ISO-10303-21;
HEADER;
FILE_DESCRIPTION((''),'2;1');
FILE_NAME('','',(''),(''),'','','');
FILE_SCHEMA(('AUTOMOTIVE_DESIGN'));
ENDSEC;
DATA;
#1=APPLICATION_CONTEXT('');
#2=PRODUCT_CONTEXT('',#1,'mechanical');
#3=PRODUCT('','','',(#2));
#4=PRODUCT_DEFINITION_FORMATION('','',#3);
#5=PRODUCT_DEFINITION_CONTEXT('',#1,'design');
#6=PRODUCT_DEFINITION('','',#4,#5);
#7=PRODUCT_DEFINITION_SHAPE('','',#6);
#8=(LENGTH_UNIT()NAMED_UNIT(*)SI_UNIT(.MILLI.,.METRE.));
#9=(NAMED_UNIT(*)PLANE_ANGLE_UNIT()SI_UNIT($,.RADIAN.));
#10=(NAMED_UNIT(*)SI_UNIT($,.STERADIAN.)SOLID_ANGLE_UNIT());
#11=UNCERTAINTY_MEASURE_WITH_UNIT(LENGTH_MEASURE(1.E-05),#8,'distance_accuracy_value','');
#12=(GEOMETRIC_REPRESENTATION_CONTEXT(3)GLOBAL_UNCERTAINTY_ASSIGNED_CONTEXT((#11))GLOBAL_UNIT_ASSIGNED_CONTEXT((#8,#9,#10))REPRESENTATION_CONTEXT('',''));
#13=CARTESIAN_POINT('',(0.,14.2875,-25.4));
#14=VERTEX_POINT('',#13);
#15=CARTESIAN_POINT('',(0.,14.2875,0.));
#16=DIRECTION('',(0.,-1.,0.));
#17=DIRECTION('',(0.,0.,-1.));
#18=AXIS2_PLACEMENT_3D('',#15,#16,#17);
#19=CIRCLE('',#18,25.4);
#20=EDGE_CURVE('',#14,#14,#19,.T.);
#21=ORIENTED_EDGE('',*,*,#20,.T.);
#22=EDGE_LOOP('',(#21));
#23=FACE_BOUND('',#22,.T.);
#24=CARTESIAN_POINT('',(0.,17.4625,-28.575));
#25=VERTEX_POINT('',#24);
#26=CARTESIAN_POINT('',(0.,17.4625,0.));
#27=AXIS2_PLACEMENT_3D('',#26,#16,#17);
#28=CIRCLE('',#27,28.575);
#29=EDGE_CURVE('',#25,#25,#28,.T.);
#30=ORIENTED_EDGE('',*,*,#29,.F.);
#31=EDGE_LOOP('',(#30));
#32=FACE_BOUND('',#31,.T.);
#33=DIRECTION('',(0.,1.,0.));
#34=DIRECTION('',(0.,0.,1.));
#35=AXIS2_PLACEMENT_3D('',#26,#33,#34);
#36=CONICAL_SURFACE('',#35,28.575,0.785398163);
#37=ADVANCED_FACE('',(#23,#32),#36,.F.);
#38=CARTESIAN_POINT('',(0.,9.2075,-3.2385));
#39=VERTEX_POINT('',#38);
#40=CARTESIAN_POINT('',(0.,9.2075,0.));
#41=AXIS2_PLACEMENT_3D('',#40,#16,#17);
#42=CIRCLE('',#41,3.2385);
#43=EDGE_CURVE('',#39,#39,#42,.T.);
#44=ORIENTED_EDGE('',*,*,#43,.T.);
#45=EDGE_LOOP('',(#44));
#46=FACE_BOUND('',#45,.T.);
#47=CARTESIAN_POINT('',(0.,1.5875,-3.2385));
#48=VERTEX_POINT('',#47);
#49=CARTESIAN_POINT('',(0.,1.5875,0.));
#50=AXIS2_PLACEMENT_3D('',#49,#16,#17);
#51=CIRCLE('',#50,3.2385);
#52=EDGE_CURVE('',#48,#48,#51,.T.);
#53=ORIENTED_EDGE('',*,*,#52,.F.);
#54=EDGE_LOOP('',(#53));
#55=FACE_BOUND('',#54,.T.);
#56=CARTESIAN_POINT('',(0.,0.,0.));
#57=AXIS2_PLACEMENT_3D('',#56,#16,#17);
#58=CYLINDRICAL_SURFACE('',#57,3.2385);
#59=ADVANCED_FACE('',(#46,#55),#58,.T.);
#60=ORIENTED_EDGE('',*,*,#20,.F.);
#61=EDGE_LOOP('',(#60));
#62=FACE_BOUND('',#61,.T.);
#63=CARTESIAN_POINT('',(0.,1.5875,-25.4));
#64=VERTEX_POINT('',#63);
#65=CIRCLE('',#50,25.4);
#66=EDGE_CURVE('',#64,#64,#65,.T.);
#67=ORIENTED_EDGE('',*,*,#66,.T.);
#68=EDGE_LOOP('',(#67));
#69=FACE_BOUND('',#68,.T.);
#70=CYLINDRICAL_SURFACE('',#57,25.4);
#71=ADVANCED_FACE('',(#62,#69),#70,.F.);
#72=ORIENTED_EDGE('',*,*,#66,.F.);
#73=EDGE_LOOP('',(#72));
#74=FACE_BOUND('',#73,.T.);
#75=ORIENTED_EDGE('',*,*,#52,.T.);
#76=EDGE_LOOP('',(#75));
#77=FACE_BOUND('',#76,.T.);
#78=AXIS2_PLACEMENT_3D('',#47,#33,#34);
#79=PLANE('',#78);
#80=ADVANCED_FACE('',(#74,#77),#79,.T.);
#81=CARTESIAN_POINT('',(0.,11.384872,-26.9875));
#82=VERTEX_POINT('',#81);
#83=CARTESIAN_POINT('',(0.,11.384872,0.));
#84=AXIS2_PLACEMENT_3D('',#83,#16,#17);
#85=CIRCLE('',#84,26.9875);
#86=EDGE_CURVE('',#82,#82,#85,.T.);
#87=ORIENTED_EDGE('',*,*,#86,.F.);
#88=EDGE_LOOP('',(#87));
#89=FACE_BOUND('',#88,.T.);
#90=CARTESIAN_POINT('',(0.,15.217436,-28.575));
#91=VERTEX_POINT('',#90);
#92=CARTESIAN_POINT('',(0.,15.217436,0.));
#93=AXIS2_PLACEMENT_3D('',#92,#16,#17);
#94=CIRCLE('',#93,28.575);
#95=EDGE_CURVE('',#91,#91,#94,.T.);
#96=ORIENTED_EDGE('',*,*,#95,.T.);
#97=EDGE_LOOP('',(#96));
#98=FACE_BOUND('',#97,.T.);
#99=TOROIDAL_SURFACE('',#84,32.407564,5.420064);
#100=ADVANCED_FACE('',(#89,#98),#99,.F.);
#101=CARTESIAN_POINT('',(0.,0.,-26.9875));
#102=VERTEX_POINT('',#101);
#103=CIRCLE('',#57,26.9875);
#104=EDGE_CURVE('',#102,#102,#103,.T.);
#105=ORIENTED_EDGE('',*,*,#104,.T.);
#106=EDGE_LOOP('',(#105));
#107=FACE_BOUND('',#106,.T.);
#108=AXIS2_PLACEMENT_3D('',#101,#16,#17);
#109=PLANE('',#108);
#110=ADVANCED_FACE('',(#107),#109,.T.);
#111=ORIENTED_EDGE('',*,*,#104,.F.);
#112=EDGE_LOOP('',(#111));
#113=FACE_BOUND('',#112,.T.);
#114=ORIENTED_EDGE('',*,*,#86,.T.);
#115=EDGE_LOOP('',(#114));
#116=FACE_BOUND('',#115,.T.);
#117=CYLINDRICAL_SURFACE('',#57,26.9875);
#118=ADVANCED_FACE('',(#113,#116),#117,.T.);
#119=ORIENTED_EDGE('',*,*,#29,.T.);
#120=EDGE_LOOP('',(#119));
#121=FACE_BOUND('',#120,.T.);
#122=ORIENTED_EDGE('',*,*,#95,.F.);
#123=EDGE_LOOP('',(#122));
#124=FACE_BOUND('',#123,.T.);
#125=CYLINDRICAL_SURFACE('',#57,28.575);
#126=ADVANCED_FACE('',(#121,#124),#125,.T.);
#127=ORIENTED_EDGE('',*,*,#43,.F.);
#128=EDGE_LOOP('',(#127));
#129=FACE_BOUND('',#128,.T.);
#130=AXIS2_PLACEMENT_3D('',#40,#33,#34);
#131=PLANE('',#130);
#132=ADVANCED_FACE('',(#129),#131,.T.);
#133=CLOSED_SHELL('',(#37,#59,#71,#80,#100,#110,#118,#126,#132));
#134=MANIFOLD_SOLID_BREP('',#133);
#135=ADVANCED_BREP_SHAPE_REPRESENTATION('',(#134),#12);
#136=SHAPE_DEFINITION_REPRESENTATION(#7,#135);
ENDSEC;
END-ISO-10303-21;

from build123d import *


with BuildPart() as part:
    # Sketch2 → Revolve1 (revolve)
    with BuildSketch(Plane(origin=(0, 0, 0), x_dir=(0, 0, -1), z_dir=(1, 0, 0))):
        with BuildLine():
            Line((0, 0), (0, 9.2075))
            Line((0, 9.2075), (3.2385, 9.2075))
            Line((3.2385, 9.2075), (3.2385, 1.5875))
            Line((3.2385, 1.5875), (25.4, 1.5875))
            Line((25.4, 1.5875), (25.4, 14.2875))
            Line((25.4, 14.2875), (28.575, 17.4625))
            Line((28.575, 17.4625), (28.575, 15.21743597))
            ThreePointArc((28.575, 15.21743597), (27.400077808, 13.459040646), (26.9875, 11.384871939))
            Line((26.9875, 11.384871939), (26.9875, 0))
            Line((26.9875, 0), (0, 0))
        make_face()
    revolve(axis=Axis((0, 0, 0), (0, 1, 0)))


solid = part.part
